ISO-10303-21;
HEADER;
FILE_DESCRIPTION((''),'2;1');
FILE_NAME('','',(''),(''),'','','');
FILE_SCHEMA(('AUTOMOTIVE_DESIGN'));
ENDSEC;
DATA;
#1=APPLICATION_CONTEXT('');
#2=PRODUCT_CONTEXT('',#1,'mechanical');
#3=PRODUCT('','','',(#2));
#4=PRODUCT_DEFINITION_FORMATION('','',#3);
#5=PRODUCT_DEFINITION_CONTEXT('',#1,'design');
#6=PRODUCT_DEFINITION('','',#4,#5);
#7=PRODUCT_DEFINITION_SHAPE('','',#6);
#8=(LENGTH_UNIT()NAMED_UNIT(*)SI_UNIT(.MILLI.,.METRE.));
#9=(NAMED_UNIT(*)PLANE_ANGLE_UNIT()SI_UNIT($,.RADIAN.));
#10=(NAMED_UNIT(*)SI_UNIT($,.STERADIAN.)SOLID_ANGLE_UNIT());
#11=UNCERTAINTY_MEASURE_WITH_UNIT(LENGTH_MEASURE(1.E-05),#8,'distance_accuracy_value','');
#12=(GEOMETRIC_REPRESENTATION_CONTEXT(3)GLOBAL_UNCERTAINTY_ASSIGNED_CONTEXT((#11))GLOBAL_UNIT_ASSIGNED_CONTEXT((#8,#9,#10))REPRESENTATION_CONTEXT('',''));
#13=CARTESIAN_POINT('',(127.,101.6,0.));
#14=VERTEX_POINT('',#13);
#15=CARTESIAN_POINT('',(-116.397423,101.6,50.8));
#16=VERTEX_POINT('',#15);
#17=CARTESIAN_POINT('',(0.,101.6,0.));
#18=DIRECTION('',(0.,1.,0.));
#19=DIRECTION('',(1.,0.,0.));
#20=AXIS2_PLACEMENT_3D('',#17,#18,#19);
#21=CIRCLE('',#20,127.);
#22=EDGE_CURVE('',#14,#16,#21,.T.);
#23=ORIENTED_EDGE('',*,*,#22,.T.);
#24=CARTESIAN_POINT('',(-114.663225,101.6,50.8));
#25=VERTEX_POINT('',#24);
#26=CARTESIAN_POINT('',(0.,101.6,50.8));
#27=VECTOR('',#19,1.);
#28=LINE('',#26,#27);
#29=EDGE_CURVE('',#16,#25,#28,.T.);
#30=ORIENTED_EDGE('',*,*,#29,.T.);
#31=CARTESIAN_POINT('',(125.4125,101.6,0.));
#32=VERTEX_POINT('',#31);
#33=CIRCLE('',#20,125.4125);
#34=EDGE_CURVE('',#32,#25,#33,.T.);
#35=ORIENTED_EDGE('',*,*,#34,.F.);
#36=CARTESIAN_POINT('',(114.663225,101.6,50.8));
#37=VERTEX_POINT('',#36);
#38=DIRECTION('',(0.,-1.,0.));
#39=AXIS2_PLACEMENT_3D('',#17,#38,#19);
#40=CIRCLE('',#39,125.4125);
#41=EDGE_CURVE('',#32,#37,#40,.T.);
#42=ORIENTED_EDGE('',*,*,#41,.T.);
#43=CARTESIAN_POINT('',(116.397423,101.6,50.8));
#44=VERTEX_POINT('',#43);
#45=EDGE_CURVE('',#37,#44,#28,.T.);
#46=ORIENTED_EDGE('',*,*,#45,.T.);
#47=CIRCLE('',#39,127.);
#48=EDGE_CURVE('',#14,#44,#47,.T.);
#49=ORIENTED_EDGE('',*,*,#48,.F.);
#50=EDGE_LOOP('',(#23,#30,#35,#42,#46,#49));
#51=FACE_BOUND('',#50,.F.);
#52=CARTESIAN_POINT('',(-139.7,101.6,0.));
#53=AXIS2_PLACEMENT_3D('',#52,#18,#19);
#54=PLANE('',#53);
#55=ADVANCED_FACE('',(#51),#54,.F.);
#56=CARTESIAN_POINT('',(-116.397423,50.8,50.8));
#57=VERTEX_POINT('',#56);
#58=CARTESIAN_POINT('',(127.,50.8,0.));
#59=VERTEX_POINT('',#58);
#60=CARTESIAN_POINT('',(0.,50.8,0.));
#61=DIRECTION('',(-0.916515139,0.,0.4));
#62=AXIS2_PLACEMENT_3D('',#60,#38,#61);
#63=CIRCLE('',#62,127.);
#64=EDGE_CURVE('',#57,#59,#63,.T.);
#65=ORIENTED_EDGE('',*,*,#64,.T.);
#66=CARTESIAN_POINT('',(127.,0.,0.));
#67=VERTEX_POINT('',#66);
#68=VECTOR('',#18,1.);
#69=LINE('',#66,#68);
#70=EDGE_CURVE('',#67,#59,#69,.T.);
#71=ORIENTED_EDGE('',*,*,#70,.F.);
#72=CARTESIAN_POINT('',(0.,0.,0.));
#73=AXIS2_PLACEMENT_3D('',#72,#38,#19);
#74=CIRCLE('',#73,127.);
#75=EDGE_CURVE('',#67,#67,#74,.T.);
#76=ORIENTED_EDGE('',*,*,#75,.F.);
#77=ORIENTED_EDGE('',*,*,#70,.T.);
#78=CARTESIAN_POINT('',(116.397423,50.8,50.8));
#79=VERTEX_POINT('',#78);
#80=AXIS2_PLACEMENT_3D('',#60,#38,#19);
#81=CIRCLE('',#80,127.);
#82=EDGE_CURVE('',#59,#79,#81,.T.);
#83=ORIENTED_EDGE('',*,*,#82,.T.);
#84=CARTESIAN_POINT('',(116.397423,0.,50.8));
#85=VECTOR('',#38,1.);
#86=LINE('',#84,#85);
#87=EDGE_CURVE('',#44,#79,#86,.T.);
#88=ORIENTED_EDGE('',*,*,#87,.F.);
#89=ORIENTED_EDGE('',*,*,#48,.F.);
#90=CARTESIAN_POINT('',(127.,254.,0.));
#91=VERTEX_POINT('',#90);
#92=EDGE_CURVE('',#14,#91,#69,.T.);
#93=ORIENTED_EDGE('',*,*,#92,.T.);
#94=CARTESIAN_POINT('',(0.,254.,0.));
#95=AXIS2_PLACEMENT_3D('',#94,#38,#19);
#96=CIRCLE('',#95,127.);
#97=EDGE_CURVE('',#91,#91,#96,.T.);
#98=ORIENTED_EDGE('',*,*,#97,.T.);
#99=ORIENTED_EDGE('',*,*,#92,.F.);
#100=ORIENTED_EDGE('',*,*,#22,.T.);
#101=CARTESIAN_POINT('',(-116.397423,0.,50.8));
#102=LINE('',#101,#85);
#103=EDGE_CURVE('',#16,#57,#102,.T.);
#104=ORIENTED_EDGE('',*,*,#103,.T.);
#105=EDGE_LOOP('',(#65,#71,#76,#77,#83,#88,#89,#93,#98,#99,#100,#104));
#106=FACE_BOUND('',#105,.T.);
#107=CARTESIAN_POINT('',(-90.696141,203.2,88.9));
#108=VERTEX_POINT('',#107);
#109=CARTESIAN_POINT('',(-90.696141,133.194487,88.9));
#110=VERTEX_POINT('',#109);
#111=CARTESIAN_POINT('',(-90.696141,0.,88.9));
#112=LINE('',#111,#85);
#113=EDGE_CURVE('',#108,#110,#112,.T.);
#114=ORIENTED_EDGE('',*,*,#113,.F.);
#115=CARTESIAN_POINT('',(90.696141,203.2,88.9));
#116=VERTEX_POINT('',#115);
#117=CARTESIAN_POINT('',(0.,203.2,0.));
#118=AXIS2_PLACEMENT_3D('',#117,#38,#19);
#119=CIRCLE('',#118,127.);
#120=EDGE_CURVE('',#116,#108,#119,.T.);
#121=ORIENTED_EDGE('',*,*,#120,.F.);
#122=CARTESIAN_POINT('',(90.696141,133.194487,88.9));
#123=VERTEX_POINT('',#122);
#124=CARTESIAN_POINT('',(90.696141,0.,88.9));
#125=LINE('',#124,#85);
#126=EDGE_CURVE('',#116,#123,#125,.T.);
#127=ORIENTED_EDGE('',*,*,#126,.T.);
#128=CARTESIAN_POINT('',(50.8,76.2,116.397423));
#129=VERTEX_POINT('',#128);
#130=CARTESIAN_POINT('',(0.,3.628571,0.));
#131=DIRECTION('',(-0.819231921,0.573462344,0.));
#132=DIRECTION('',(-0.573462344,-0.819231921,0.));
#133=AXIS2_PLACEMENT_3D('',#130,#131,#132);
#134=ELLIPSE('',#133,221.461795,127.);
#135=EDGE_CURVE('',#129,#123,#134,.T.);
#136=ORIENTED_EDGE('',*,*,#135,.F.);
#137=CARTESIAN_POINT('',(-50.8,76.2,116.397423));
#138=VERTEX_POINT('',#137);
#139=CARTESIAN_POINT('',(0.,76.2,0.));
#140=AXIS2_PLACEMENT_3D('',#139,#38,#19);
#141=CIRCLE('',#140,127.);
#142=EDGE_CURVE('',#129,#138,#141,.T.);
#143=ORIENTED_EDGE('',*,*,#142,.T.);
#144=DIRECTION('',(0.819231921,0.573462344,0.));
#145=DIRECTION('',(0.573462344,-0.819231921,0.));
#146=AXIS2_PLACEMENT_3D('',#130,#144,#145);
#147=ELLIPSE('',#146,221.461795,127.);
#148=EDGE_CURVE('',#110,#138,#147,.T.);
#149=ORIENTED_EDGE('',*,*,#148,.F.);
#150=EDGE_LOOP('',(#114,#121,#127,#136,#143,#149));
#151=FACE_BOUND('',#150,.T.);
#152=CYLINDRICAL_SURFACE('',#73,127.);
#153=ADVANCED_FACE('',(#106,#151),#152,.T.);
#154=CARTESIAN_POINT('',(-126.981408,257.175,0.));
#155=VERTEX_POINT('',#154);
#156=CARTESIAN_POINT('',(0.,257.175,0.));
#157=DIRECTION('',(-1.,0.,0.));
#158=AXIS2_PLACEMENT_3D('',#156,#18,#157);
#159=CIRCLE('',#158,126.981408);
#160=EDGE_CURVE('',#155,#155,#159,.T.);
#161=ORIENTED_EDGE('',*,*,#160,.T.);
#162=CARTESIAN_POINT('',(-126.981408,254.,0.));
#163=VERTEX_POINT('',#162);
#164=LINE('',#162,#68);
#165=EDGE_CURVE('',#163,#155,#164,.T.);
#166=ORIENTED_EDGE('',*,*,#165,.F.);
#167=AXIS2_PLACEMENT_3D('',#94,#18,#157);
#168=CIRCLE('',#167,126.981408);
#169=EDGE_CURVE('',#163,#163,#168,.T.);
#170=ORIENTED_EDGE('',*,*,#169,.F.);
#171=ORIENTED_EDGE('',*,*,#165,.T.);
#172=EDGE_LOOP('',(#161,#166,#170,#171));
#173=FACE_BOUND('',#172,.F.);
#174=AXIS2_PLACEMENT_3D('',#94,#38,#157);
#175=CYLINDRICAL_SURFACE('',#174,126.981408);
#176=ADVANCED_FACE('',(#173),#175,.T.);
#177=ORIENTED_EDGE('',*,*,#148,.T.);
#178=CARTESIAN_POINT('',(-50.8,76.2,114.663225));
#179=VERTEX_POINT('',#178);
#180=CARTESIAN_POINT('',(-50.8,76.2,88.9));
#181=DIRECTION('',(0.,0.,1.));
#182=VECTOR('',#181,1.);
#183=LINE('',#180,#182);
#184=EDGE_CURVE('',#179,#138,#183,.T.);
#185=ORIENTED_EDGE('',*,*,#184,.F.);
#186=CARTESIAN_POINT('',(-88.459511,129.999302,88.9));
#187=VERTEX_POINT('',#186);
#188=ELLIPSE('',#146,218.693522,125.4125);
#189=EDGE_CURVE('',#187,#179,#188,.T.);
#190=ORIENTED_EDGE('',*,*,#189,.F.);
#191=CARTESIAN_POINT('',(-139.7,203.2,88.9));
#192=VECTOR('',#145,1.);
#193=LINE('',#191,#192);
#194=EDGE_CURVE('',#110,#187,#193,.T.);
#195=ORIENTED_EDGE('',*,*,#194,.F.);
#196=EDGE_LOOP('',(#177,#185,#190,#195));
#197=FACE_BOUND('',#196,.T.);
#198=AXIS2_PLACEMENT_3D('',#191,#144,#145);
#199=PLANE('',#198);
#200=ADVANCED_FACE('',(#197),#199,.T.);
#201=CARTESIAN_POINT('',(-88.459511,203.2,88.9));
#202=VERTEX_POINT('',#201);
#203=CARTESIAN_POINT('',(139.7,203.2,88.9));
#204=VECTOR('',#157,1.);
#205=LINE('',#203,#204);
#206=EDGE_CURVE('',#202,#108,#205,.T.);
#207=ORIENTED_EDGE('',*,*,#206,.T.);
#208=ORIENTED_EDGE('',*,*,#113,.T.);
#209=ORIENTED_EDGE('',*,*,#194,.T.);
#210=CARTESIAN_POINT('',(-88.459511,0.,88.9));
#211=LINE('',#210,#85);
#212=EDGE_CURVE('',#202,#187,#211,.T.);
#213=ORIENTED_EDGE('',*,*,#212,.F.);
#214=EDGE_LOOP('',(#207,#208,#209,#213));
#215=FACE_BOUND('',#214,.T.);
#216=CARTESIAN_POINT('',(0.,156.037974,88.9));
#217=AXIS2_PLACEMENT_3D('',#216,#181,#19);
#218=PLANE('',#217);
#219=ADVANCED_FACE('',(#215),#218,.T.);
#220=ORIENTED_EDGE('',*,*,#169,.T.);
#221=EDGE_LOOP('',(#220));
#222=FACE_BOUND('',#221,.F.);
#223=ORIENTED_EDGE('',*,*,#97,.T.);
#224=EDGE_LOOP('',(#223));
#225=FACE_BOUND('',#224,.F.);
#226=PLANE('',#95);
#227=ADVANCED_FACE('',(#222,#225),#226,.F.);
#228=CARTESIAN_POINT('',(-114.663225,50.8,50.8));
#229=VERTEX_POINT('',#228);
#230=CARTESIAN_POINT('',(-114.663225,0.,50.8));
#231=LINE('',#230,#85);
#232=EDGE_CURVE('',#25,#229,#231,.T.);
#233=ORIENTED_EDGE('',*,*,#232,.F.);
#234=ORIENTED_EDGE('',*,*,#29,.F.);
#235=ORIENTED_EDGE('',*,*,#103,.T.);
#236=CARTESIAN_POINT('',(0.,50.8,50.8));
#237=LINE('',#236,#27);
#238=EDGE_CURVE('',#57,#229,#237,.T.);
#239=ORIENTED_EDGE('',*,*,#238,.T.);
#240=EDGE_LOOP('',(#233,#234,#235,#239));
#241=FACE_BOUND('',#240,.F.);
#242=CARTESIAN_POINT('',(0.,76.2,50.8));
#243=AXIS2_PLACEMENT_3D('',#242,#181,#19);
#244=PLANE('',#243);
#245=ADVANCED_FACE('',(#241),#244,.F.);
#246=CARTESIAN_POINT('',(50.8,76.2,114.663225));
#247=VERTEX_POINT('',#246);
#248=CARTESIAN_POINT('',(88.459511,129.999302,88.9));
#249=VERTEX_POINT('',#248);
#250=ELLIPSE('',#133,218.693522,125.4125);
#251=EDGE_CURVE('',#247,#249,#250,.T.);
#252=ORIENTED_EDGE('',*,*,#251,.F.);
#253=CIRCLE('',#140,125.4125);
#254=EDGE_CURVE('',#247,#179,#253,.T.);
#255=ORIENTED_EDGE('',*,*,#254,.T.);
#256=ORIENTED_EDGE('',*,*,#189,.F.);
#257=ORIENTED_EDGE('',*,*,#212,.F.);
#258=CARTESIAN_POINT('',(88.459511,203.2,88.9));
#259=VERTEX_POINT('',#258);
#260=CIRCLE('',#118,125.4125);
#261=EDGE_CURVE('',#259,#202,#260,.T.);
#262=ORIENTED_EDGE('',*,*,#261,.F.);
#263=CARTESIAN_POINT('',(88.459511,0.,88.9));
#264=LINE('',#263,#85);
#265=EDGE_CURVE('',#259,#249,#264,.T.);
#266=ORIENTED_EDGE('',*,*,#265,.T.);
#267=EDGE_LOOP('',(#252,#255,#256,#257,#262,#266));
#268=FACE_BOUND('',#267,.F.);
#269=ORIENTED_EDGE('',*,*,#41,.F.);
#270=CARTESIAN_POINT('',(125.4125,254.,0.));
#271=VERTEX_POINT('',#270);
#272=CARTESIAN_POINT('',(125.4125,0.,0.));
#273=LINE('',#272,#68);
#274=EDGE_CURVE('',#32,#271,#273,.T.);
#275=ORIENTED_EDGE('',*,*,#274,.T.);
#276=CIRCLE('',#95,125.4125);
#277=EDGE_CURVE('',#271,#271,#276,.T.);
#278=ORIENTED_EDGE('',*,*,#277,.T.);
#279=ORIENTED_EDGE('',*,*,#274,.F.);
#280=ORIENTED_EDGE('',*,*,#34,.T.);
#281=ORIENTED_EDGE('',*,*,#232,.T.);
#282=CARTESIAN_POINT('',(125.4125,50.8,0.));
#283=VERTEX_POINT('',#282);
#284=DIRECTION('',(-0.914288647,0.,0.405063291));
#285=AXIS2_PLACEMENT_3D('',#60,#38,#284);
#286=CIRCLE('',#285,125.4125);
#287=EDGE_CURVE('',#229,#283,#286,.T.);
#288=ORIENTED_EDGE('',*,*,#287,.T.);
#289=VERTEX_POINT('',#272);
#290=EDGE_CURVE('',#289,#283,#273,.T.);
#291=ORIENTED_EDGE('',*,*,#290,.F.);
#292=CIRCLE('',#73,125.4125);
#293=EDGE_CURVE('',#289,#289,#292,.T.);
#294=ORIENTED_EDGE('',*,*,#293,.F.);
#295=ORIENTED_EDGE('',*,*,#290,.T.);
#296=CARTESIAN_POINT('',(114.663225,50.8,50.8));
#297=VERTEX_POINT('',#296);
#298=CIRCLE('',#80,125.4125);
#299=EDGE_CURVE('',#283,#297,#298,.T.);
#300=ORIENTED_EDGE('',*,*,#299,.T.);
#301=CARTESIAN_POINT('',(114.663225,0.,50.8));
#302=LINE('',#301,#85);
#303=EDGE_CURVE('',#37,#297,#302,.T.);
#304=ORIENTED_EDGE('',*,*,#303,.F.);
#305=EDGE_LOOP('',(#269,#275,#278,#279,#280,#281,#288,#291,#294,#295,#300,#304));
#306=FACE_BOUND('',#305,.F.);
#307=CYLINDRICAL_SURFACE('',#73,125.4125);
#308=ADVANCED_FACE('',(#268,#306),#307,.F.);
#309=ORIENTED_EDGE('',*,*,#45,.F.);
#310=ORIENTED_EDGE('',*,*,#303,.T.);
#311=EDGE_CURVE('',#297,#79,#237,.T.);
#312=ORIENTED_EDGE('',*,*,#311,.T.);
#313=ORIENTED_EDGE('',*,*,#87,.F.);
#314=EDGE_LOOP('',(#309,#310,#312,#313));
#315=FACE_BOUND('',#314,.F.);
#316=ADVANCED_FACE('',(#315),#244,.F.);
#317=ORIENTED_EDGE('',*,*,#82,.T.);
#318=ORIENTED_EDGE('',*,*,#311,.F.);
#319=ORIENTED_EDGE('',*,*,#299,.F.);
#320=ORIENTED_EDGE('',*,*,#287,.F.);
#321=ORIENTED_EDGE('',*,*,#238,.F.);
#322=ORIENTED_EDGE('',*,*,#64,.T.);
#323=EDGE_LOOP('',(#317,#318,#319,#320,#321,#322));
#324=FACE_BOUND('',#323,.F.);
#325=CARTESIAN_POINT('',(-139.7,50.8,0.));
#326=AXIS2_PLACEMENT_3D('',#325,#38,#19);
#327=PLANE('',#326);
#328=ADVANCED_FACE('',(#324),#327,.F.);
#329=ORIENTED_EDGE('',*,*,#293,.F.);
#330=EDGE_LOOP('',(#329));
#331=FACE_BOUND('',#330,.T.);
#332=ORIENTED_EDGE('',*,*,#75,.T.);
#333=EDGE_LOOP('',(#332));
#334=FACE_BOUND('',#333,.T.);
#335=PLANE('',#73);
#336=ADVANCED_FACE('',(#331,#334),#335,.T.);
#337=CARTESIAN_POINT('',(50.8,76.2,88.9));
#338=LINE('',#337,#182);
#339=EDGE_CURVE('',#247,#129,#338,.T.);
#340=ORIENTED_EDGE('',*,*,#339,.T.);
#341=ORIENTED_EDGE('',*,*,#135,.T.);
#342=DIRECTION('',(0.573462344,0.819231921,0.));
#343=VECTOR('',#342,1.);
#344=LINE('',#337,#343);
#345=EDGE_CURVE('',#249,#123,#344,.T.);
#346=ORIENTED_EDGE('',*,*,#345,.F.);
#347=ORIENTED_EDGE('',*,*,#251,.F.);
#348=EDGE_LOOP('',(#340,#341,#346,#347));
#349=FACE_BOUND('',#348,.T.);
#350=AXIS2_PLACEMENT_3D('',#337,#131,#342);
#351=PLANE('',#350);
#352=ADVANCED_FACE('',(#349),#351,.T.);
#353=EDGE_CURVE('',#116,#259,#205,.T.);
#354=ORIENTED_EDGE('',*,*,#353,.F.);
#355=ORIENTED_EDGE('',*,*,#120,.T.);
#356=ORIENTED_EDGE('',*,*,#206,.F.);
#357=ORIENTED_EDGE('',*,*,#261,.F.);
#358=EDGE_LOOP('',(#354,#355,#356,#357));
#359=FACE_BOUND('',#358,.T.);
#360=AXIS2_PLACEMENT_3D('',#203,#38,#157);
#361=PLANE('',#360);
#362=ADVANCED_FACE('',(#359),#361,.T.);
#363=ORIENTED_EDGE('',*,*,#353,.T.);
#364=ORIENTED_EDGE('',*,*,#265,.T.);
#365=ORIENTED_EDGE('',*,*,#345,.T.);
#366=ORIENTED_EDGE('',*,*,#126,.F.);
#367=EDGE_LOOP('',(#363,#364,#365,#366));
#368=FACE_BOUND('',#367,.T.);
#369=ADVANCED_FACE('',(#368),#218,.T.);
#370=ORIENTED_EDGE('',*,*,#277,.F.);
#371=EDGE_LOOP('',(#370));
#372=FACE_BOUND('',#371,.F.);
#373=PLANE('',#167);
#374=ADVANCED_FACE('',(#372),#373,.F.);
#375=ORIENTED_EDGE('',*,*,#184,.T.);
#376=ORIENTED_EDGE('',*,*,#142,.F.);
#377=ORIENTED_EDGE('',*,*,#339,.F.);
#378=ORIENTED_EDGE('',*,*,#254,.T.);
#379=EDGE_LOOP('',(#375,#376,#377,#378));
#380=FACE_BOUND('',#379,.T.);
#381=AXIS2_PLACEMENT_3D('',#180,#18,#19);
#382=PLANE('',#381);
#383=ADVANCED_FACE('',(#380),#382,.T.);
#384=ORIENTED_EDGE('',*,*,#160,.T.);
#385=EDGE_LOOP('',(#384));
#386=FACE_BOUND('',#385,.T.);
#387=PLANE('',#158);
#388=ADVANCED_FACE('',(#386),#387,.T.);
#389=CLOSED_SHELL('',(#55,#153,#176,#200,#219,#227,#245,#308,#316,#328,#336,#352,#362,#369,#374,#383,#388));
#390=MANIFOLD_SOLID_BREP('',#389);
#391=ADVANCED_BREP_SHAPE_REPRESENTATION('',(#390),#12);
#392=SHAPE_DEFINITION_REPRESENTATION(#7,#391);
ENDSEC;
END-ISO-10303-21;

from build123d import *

# Parameters (mm, degrees)
F0_R          = 127
F0_R_2        = 125.4125
F1_DEPTH      = 254
F2_W          = 279.4
F2_H          = 50.8
F3_DEPTH      = 203.2
F3_DEPTH_BACK = 50.8
F6_DEPTH      = 76.2
F7_R          = 126.9814076924
F8_DEPTH      = 3.175


with BuildPart() as f1:
    # F0 (on Front) → F1 (new body)
    with BuildSketch(Plane.XZ):
        Circle(F0_R)
        Circle(F0_R_2, mode=Mode.SUBTRACT)
    extrude(amount=-F1_DEPTH)

    # F2 (on Top) → F3 (cut, two sides)
    with BuildSketch(Plane.XY) as f3_sk:
        with Locations((0, 76.2)):
            Rectangle(F2_W, F2_H)
    extrude(amount=-F3_DEPTH, mode=Mode.SUBTRACT)
    extrude(f3_sk.sketch, amount=F3_DEPTH_BACK, mode=Mode.SUBTRACT)

    # F5 (on offset) → F6 (cut)
    with BuildSketch(Plane.XY.offset(88.9)):
        Polygon((-50.8, 76.2), (0, 76.2), (50.8, 76.2), (139.7, 203.2), (0, 203.2), (-139.7, 203.2), align=None)
    extrude(amount=F6_DEPTH, mode=Mode.SUBTRACT)

    # F7 (on face) → F8 (join)
    with BuildSketch(Plane(origin=(0, 254, 0), x_dir=(-1, 0, 0), z_dir=(0, 1, 0))):
        Circle(F7_R)
    extrude(amount=F8_DEPTH)


solid = f1.part
